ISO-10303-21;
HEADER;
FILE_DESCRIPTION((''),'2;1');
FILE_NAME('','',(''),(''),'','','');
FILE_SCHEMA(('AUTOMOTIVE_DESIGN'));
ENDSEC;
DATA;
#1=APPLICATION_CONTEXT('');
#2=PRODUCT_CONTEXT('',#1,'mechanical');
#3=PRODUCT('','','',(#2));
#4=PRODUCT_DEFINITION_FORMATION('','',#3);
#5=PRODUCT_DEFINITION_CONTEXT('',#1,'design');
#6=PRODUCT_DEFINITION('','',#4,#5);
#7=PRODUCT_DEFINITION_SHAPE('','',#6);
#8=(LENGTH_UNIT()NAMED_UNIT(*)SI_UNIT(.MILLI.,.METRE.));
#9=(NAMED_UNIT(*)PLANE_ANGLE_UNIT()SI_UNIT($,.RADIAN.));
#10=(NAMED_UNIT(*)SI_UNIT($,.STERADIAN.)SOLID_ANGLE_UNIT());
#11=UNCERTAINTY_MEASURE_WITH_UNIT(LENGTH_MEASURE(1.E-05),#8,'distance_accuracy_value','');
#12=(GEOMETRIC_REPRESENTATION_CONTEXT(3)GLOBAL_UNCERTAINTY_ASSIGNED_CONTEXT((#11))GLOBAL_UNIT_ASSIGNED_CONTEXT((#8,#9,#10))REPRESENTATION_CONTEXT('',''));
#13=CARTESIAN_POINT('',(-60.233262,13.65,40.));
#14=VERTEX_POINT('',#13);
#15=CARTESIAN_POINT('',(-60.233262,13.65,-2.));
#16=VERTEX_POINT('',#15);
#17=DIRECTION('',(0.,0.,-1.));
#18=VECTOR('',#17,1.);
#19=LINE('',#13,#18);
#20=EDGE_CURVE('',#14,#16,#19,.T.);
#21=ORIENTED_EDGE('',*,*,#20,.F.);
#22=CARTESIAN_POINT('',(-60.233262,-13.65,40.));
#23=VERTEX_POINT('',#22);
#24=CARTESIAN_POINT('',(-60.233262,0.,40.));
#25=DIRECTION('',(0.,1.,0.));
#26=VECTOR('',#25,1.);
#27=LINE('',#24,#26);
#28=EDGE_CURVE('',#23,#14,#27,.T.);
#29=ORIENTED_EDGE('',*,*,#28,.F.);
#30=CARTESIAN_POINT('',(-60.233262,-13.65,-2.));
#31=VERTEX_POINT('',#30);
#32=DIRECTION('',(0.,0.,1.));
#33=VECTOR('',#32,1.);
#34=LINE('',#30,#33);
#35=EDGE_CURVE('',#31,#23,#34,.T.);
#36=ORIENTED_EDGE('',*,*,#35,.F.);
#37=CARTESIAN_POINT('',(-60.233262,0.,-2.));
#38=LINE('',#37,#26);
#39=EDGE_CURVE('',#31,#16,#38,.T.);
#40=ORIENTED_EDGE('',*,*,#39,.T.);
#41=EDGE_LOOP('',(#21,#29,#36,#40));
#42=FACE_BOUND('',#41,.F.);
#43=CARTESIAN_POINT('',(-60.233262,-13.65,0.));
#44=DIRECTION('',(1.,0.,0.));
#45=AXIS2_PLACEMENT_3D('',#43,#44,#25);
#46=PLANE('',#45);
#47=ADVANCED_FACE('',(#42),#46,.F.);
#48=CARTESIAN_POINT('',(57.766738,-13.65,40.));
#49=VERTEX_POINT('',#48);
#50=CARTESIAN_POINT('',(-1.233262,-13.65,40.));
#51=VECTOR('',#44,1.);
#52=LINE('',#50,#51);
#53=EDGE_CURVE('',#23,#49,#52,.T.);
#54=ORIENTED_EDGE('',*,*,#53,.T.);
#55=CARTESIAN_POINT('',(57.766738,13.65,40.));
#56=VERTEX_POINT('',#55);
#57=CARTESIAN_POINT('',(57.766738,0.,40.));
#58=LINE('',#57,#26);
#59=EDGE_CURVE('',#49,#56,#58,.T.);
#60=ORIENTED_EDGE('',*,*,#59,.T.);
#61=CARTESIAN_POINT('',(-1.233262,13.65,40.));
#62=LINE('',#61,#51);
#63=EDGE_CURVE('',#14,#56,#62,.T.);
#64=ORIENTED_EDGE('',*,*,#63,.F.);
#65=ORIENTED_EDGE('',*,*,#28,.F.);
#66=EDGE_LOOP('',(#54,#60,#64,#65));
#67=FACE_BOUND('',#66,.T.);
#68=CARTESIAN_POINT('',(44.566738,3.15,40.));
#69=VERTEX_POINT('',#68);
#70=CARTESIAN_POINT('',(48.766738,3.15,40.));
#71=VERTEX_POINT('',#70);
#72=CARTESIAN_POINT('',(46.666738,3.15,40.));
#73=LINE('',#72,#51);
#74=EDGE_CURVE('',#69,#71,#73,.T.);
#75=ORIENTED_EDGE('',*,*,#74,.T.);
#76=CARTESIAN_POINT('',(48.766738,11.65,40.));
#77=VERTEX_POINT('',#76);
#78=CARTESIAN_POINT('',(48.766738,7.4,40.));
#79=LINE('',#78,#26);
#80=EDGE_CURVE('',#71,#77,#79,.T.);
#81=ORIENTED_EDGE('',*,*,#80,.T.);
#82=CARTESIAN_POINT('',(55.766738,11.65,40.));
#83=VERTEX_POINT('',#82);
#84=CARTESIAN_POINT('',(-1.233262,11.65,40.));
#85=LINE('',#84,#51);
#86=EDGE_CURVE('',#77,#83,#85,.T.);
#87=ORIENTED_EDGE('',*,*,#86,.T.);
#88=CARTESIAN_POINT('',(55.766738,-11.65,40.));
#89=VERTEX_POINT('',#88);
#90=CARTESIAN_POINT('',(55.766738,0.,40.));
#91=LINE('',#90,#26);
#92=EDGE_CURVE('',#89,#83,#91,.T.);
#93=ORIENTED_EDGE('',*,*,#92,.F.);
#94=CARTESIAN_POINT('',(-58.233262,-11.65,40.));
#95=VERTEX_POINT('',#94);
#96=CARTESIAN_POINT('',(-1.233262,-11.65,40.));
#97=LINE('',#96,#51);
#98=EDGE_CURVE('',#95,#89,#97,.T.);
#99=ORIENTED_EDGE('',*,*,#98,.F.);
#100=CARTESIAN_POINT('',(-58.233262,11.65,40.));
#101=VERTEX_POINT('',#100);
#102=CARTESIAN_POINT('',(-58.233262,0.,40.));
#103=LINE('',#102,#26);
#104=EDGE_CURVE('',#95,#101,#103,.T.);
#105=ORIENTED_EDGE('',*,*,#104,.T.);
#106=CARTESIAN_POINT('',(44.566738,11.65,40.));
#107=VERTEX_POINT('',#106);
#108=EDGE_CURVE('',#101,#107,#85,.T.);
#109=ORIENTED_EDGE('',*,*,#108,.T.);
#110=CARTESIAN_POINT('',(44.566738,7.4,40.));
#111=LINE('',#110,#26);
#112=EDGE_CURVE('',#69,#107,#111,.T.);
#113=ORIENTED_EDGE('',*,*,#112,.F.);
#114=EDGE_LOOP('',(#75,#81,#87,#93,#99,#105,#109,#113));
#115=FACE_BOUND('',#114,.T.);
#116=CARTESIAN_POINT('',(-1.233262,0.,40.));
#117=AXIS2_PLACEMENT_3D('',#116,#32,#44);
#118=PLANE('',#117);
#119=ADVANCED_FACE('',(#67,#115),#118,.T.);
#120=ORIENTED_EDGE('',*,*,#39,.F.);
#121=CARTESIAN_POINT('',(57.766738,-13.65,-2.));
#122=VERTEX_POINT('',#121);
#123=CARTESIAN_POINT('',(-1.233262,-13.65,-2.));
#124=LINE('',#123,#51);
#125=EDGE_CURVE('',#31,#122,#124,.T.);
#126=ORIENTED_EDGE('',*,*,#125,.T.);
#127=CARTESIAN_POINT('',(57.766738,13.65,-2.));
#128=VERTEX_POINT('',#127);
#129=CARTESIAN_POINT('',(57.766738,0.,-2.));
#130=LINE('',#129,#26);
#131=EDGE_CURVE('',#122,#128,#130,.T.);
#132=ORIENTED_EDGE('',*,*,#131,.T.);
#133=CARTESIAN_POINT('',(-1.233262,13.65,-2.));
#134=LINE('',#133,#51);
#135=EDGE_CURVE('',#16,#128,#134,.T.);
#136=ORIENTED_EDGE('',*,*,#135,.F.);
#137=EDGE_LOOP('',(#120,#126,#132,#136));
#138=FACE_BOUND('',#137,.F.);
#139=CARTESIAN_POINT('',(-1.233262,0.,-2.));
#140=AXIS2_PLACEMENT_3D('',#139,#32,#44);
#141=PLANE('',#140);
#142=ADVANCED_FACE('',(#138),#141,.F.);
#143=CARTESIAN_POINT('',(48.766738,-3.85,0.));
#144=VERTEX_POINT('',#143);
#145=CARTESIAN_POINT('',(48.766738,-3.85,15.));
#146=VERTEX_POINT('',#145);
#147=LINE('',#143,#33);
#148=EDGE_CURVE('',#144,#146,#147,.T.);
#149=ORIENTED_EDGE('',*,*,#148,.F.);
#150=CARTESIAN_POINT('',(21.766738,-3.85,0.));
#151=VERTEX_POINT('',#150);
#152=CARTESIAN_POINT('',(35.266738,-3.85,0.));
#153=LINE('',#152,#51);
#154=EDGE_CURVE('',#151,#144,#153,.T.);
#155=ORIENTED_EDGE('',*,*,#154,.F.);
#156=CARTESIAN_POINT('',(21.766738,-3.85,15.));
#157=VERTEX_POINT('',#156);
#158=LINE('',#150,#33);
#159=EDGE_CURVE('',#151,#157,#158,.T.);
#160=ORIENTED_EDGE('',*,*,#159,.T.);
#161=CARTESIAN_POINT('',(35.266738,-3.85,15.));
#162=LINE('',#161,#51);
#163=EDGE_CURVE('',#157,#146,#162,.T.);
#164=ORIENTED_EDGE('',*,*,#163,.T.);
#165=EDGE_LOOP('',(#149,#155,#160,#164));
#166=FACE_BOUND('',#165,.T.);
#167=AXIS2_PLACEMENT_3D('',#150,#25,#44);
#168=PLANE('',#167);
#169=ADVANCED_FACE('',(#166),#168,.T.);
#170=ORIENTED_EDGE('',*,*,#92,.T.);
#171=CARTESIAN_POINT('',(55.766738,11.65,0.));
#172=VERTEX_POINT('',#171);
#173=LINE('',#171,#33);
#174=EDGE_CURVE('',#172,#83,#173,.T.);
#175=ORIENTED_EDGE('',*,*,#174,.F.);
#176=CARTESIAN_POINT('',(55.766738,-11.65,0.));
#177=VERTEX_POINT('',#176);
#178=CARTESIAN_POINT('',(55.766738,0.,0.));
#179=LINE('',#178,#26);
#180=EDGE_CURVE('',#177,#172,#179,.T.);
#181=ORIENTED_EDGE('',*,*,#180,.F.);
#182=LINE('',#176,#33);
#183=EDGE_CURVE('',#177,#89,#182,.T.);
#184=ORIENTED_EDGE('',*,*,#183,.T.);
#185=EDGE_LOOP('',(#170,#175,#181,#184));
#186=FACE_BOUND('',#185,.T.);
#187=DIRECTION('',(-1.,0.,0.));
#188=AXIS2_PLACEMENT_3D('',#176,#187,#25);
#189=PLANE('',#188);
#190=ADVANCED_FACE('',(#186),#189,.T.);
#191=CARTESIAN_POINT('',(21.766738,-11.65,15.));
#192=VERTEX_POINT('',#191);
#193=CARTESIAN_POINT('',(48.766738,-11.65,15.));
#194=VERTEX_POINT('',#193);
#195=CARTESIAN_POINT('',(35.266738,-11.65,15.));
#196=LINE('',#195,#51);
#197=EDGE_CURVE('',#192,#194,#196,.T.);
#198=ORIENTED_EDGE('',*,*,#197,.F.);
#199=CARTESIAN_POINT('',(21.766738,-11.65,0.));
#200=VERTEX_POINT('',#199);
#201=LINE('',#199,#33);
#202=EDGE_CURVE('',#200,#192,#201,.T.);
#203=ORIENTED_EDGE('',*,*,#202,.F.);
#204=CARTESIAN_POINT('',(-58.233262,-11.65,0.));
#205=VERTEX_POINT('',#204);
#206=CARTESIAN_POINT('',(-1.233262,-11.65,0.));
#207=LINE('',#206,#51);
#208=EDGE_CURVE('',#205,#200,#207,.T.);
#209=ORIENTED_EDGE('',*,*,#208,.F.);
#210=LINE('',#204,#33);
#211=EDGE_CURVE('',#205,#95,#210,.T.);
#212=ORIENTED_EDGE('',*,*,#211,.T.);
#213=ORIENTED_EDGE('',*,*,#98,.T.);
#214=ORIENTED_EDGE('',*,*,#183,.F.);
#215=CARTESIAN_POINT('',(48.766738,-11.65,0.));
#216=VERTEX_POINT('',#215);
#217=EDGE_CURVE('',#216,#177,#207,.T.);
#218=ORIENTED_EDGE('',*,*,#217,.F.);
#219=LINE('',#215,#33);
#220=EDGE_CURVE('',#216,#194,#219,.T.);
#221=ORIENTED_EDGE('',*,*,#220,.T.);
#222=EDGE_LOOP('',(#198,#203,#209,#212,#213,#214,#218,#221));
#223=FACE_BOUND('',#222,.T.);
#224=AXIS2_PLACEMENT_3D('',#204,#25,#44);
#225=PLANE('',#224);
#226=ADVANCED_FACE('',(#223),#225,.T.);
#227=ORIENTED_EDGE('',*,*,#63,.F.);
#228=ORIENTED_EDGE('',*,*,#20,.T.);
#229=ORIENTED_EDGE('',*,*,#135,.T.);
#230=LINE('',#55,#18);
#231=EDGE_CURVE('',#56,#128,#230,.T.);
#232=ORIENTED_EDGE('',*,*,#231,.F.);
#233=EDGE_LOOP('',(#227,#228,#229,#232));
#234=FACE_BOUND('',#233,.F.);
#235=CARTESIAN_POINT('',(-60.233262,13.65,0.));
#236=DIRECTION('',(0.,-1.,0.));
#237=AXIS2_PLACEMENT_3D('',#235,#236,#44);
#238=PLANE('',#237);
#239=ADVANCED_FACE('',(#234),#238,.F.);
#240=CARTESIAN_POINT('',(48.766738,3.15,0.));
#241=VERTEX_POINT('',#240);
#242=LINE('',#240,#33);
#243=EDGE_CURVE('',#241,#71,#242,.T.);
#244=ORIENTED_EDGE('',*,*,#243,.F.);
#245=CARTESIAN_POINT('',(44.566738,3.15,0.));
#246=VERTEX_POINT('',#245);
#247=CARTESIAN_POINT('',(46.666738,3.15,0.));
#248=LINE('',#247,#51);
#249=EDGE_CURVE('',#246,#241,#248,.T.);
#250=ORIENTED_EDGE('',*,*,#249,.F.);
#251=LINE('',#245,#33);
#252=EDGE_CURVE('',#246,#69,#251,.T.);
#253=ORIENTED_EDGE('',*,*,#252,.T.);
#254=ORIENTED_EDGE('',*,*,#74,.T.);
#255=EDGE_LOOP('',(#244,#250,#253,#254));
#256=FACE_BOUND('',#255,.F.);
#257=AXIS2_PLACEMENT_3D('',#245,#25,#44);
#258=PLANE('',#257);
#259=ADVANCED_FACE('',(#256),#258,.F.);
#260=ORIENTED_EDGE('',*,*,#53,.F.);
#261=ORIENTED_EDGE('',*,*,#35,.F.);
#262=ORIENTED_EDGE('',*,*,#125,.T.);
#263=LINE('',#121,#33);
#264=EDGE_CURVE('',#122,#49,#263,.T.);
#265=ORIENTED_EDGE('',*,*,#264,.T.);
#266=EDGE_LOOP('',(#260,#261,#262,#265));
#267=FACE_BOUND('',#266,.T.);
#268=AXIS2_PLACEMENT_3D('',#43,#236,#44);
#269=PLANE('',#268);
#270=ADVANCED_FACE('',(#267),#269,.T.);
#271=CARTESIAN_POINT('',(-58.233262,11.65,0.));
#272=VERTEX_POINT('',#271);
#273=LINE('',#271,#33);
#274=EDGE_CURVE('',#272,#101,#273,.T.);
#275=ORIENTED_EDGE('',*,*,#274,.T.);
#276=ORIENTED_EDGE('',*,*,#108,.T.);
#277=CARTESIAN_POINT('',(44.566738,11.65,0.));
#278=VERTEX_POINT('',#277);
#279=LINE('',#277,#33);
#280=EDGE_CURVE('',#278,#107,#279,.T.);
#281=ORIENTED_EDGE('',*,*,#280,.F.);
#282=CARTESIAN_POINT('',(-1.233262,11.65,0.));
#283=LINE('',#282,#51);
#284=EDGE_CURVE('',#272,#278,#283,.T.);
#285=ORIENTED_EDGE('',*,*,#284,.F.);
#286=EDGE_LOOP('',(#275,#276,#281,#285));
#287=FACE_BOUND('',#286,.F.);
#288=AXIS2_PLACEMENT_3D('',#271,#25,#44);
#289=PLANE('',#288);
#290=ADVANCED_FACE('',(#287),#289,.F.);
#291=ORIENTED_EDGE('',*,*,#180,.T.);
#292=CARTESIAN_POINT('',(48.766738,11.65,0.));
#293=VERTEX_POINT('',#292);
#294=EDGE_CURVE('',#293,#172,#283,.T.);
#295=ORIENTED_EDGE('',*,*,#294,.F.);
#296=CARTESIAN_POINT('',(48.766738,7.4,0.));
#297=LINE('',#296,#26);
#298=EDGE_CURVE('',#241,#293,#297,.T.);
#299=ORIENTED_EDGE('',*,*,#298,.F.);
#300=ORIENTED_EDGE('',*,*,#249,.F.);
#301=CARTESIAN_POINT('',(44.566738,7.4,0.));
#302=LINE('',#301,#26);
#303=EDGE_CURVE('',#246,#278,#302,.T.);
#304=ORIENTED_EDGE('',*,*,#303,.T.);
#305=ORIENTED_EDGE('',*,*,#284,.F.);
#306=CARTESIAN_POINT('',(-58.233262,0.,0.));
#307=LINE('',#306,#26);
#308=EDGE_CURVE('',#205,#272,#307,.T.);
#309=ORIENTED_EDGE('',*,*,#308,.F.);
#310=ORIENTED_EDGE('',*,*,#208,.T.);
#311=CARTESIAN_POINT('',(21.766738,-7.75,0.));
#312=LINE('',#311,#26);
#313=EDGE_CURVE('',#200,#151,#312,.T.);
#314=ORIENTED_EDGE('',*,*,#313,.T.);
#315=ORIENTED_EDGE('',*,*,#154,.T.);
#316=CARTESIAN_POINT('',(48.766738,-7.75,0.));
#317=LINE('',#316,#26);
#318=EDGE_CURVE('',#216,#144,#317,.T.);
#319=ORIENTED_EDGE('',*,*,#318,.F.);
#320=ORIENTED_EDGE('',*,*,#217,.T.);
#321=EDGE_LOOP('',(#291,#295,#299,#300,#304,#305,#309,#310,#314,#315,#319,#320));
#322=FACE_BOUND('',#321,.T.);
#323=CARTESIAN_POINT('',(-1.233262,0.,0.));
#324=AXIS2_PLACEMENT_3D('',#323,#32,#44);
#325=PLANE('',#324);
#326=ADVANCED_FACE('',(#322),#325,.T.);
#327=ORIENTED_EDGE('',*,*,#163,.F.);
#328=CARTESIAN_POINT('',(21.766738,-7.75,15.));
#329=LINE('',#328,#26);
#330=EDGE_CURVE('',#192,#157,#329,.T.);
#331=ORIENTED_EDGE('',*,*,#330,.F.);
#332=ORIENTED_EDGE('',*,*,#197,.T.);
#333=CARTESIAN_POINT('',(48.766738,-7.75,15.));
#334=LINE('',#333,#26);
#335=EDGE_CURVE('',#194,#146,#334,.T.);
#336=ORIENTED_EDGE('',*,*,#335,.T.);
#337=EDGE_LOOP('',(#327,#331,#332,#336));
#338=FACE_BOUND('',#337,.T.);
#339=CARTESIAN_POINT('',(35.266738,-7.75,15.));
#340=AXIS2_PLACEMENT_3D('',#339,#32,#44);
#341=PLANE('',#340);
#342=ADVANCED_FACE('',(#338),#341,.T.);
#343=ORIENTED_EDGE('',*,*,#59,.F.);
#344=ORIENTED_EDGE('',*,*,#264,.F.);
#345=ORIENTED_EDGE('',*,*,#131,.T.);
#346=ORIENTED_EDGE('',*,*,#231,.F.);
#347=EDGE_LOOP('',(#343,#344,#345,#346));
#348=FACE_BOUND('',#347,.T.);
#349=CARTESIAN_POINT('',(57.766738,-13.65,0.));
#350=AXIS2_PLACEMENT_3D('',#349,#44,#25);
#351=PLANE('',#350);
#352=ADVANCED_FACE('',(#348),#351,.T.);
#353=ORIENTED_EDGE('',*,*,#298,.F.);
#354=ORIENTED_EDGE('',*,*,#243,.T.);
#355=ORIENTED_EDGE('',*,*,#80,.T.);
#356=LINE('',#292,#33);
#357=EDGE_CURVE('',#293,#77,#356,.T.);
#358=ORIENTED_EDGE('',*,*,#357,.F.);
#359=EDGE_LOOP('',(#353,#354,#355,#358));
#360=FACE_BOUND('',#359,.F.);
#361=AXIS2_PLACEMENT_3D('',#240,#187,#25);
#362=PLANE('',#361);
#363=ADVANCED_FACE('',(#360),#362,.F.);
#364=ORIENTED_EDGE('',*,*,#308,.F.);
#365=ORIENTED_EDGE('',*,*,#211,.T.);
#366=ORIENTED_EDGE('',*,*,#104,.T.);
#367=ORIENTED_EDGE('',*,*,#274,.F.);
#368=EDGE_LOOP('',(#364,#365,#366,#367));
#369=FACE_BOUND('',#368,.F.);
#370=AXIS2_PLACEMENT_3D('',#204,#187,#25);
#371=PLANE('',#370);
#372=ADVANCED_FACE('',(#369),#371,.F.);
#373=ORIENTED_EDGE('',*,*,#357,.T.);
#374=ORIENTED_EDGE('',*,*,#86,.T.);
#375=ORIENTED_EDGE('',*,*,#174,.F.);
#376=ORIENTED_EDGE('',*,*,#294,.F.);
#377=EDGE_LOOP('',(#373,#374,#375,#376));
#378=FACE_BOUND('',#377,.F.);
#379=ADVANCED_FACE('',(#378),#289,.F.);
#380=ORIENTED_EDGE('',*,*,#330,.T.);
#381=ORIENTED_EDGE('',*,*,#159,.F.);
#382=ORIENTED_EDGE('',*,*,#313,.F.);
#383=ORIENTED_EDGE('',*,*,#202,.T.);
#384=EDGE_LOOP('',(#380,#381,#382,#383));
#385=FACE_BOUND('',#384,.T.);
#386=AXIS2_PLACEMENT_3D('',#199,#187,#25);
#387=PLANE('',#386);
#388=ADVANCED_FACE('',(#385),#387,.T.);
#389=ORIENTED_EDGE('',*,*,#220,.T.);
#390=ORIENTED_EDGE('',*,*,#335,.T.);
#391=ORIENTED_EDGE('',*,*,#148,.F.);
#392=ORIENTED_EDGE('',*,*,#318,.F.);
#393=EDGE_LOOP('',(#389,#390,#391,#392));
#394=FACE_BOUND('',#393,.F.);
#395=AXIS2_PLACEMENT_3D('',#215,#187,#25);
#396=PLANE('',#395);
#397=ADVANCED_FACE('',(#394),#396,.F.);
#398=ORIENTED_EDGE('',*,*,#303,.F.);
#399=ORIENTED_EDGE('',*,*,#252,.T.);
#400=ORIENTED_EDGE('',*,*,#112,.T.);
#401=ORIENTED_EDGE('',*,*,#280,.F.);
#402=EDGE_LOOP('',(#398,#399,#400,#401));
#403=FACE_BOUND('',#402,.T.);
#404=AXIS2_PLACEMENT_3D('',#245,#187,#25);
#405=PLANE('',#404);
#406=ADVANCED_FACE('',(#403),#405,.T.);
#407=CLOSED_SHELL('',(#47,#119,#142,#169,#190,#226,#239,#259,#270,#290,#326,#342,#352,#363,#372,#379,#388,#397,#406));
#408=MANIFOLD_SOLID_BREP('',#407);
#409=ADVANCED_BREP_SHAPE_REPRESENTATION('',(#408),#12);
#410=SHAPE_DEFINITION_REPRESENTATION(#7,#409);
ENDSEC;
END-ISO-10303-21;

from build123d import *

# Parameters (mm, degrees)
F0_W     = 118
F0_H     = 27.3
F0_W_2   = 114
F0_H_2   = 23.3
F1_DEPTH = 40
F2_W     = 4.2
F2_H     = 8.5
F3_DEPTH = 40
F4_W     = 27
F4_H     = 7.8
F5_DEPTH = 15
F6_W     = 118
F6_H     = 27.3
F7_DEPTH = 2


with BuildPart() as f1:
    # F0 (on Top) → F1 (new body)
    with BuildSketch(Plane.XY):
        with Locations((-1.233262, 0)):
            Rectangle(F0_W, F0_H)
        with Locations((-1.233262, 0)):
            Rectangle(F0_W_2, F0_H_2, mode=Mode.SUBTRACT)
    extrude(amount=F1_DEPTH)

    # F2 (on Top) → F3 (join)
    with BuildSketch(Plane.XY):
        with Locations((46.666738, 7.4)):
            Rectangle(F2_W, F2_H)
    extrude(amount=F3_DEPTH)

    # F4 (on Top) → F5 (join)
    with BuildSketch(Plane.XY):
        with Locations((35.266738, -7.75)):
            Rectangle(F4_W, F4_H)
    extrude(amount=F5_DEPTH)

    # F6 (on Top) → F7 (join)
    with BuildSketch(Plane.XY):
        with Locations((-1.233262, 0)):
            Rectangle(F6_W, F6_H)
    extrude(amount=-F7_DEPTH)


solid = f1.part
